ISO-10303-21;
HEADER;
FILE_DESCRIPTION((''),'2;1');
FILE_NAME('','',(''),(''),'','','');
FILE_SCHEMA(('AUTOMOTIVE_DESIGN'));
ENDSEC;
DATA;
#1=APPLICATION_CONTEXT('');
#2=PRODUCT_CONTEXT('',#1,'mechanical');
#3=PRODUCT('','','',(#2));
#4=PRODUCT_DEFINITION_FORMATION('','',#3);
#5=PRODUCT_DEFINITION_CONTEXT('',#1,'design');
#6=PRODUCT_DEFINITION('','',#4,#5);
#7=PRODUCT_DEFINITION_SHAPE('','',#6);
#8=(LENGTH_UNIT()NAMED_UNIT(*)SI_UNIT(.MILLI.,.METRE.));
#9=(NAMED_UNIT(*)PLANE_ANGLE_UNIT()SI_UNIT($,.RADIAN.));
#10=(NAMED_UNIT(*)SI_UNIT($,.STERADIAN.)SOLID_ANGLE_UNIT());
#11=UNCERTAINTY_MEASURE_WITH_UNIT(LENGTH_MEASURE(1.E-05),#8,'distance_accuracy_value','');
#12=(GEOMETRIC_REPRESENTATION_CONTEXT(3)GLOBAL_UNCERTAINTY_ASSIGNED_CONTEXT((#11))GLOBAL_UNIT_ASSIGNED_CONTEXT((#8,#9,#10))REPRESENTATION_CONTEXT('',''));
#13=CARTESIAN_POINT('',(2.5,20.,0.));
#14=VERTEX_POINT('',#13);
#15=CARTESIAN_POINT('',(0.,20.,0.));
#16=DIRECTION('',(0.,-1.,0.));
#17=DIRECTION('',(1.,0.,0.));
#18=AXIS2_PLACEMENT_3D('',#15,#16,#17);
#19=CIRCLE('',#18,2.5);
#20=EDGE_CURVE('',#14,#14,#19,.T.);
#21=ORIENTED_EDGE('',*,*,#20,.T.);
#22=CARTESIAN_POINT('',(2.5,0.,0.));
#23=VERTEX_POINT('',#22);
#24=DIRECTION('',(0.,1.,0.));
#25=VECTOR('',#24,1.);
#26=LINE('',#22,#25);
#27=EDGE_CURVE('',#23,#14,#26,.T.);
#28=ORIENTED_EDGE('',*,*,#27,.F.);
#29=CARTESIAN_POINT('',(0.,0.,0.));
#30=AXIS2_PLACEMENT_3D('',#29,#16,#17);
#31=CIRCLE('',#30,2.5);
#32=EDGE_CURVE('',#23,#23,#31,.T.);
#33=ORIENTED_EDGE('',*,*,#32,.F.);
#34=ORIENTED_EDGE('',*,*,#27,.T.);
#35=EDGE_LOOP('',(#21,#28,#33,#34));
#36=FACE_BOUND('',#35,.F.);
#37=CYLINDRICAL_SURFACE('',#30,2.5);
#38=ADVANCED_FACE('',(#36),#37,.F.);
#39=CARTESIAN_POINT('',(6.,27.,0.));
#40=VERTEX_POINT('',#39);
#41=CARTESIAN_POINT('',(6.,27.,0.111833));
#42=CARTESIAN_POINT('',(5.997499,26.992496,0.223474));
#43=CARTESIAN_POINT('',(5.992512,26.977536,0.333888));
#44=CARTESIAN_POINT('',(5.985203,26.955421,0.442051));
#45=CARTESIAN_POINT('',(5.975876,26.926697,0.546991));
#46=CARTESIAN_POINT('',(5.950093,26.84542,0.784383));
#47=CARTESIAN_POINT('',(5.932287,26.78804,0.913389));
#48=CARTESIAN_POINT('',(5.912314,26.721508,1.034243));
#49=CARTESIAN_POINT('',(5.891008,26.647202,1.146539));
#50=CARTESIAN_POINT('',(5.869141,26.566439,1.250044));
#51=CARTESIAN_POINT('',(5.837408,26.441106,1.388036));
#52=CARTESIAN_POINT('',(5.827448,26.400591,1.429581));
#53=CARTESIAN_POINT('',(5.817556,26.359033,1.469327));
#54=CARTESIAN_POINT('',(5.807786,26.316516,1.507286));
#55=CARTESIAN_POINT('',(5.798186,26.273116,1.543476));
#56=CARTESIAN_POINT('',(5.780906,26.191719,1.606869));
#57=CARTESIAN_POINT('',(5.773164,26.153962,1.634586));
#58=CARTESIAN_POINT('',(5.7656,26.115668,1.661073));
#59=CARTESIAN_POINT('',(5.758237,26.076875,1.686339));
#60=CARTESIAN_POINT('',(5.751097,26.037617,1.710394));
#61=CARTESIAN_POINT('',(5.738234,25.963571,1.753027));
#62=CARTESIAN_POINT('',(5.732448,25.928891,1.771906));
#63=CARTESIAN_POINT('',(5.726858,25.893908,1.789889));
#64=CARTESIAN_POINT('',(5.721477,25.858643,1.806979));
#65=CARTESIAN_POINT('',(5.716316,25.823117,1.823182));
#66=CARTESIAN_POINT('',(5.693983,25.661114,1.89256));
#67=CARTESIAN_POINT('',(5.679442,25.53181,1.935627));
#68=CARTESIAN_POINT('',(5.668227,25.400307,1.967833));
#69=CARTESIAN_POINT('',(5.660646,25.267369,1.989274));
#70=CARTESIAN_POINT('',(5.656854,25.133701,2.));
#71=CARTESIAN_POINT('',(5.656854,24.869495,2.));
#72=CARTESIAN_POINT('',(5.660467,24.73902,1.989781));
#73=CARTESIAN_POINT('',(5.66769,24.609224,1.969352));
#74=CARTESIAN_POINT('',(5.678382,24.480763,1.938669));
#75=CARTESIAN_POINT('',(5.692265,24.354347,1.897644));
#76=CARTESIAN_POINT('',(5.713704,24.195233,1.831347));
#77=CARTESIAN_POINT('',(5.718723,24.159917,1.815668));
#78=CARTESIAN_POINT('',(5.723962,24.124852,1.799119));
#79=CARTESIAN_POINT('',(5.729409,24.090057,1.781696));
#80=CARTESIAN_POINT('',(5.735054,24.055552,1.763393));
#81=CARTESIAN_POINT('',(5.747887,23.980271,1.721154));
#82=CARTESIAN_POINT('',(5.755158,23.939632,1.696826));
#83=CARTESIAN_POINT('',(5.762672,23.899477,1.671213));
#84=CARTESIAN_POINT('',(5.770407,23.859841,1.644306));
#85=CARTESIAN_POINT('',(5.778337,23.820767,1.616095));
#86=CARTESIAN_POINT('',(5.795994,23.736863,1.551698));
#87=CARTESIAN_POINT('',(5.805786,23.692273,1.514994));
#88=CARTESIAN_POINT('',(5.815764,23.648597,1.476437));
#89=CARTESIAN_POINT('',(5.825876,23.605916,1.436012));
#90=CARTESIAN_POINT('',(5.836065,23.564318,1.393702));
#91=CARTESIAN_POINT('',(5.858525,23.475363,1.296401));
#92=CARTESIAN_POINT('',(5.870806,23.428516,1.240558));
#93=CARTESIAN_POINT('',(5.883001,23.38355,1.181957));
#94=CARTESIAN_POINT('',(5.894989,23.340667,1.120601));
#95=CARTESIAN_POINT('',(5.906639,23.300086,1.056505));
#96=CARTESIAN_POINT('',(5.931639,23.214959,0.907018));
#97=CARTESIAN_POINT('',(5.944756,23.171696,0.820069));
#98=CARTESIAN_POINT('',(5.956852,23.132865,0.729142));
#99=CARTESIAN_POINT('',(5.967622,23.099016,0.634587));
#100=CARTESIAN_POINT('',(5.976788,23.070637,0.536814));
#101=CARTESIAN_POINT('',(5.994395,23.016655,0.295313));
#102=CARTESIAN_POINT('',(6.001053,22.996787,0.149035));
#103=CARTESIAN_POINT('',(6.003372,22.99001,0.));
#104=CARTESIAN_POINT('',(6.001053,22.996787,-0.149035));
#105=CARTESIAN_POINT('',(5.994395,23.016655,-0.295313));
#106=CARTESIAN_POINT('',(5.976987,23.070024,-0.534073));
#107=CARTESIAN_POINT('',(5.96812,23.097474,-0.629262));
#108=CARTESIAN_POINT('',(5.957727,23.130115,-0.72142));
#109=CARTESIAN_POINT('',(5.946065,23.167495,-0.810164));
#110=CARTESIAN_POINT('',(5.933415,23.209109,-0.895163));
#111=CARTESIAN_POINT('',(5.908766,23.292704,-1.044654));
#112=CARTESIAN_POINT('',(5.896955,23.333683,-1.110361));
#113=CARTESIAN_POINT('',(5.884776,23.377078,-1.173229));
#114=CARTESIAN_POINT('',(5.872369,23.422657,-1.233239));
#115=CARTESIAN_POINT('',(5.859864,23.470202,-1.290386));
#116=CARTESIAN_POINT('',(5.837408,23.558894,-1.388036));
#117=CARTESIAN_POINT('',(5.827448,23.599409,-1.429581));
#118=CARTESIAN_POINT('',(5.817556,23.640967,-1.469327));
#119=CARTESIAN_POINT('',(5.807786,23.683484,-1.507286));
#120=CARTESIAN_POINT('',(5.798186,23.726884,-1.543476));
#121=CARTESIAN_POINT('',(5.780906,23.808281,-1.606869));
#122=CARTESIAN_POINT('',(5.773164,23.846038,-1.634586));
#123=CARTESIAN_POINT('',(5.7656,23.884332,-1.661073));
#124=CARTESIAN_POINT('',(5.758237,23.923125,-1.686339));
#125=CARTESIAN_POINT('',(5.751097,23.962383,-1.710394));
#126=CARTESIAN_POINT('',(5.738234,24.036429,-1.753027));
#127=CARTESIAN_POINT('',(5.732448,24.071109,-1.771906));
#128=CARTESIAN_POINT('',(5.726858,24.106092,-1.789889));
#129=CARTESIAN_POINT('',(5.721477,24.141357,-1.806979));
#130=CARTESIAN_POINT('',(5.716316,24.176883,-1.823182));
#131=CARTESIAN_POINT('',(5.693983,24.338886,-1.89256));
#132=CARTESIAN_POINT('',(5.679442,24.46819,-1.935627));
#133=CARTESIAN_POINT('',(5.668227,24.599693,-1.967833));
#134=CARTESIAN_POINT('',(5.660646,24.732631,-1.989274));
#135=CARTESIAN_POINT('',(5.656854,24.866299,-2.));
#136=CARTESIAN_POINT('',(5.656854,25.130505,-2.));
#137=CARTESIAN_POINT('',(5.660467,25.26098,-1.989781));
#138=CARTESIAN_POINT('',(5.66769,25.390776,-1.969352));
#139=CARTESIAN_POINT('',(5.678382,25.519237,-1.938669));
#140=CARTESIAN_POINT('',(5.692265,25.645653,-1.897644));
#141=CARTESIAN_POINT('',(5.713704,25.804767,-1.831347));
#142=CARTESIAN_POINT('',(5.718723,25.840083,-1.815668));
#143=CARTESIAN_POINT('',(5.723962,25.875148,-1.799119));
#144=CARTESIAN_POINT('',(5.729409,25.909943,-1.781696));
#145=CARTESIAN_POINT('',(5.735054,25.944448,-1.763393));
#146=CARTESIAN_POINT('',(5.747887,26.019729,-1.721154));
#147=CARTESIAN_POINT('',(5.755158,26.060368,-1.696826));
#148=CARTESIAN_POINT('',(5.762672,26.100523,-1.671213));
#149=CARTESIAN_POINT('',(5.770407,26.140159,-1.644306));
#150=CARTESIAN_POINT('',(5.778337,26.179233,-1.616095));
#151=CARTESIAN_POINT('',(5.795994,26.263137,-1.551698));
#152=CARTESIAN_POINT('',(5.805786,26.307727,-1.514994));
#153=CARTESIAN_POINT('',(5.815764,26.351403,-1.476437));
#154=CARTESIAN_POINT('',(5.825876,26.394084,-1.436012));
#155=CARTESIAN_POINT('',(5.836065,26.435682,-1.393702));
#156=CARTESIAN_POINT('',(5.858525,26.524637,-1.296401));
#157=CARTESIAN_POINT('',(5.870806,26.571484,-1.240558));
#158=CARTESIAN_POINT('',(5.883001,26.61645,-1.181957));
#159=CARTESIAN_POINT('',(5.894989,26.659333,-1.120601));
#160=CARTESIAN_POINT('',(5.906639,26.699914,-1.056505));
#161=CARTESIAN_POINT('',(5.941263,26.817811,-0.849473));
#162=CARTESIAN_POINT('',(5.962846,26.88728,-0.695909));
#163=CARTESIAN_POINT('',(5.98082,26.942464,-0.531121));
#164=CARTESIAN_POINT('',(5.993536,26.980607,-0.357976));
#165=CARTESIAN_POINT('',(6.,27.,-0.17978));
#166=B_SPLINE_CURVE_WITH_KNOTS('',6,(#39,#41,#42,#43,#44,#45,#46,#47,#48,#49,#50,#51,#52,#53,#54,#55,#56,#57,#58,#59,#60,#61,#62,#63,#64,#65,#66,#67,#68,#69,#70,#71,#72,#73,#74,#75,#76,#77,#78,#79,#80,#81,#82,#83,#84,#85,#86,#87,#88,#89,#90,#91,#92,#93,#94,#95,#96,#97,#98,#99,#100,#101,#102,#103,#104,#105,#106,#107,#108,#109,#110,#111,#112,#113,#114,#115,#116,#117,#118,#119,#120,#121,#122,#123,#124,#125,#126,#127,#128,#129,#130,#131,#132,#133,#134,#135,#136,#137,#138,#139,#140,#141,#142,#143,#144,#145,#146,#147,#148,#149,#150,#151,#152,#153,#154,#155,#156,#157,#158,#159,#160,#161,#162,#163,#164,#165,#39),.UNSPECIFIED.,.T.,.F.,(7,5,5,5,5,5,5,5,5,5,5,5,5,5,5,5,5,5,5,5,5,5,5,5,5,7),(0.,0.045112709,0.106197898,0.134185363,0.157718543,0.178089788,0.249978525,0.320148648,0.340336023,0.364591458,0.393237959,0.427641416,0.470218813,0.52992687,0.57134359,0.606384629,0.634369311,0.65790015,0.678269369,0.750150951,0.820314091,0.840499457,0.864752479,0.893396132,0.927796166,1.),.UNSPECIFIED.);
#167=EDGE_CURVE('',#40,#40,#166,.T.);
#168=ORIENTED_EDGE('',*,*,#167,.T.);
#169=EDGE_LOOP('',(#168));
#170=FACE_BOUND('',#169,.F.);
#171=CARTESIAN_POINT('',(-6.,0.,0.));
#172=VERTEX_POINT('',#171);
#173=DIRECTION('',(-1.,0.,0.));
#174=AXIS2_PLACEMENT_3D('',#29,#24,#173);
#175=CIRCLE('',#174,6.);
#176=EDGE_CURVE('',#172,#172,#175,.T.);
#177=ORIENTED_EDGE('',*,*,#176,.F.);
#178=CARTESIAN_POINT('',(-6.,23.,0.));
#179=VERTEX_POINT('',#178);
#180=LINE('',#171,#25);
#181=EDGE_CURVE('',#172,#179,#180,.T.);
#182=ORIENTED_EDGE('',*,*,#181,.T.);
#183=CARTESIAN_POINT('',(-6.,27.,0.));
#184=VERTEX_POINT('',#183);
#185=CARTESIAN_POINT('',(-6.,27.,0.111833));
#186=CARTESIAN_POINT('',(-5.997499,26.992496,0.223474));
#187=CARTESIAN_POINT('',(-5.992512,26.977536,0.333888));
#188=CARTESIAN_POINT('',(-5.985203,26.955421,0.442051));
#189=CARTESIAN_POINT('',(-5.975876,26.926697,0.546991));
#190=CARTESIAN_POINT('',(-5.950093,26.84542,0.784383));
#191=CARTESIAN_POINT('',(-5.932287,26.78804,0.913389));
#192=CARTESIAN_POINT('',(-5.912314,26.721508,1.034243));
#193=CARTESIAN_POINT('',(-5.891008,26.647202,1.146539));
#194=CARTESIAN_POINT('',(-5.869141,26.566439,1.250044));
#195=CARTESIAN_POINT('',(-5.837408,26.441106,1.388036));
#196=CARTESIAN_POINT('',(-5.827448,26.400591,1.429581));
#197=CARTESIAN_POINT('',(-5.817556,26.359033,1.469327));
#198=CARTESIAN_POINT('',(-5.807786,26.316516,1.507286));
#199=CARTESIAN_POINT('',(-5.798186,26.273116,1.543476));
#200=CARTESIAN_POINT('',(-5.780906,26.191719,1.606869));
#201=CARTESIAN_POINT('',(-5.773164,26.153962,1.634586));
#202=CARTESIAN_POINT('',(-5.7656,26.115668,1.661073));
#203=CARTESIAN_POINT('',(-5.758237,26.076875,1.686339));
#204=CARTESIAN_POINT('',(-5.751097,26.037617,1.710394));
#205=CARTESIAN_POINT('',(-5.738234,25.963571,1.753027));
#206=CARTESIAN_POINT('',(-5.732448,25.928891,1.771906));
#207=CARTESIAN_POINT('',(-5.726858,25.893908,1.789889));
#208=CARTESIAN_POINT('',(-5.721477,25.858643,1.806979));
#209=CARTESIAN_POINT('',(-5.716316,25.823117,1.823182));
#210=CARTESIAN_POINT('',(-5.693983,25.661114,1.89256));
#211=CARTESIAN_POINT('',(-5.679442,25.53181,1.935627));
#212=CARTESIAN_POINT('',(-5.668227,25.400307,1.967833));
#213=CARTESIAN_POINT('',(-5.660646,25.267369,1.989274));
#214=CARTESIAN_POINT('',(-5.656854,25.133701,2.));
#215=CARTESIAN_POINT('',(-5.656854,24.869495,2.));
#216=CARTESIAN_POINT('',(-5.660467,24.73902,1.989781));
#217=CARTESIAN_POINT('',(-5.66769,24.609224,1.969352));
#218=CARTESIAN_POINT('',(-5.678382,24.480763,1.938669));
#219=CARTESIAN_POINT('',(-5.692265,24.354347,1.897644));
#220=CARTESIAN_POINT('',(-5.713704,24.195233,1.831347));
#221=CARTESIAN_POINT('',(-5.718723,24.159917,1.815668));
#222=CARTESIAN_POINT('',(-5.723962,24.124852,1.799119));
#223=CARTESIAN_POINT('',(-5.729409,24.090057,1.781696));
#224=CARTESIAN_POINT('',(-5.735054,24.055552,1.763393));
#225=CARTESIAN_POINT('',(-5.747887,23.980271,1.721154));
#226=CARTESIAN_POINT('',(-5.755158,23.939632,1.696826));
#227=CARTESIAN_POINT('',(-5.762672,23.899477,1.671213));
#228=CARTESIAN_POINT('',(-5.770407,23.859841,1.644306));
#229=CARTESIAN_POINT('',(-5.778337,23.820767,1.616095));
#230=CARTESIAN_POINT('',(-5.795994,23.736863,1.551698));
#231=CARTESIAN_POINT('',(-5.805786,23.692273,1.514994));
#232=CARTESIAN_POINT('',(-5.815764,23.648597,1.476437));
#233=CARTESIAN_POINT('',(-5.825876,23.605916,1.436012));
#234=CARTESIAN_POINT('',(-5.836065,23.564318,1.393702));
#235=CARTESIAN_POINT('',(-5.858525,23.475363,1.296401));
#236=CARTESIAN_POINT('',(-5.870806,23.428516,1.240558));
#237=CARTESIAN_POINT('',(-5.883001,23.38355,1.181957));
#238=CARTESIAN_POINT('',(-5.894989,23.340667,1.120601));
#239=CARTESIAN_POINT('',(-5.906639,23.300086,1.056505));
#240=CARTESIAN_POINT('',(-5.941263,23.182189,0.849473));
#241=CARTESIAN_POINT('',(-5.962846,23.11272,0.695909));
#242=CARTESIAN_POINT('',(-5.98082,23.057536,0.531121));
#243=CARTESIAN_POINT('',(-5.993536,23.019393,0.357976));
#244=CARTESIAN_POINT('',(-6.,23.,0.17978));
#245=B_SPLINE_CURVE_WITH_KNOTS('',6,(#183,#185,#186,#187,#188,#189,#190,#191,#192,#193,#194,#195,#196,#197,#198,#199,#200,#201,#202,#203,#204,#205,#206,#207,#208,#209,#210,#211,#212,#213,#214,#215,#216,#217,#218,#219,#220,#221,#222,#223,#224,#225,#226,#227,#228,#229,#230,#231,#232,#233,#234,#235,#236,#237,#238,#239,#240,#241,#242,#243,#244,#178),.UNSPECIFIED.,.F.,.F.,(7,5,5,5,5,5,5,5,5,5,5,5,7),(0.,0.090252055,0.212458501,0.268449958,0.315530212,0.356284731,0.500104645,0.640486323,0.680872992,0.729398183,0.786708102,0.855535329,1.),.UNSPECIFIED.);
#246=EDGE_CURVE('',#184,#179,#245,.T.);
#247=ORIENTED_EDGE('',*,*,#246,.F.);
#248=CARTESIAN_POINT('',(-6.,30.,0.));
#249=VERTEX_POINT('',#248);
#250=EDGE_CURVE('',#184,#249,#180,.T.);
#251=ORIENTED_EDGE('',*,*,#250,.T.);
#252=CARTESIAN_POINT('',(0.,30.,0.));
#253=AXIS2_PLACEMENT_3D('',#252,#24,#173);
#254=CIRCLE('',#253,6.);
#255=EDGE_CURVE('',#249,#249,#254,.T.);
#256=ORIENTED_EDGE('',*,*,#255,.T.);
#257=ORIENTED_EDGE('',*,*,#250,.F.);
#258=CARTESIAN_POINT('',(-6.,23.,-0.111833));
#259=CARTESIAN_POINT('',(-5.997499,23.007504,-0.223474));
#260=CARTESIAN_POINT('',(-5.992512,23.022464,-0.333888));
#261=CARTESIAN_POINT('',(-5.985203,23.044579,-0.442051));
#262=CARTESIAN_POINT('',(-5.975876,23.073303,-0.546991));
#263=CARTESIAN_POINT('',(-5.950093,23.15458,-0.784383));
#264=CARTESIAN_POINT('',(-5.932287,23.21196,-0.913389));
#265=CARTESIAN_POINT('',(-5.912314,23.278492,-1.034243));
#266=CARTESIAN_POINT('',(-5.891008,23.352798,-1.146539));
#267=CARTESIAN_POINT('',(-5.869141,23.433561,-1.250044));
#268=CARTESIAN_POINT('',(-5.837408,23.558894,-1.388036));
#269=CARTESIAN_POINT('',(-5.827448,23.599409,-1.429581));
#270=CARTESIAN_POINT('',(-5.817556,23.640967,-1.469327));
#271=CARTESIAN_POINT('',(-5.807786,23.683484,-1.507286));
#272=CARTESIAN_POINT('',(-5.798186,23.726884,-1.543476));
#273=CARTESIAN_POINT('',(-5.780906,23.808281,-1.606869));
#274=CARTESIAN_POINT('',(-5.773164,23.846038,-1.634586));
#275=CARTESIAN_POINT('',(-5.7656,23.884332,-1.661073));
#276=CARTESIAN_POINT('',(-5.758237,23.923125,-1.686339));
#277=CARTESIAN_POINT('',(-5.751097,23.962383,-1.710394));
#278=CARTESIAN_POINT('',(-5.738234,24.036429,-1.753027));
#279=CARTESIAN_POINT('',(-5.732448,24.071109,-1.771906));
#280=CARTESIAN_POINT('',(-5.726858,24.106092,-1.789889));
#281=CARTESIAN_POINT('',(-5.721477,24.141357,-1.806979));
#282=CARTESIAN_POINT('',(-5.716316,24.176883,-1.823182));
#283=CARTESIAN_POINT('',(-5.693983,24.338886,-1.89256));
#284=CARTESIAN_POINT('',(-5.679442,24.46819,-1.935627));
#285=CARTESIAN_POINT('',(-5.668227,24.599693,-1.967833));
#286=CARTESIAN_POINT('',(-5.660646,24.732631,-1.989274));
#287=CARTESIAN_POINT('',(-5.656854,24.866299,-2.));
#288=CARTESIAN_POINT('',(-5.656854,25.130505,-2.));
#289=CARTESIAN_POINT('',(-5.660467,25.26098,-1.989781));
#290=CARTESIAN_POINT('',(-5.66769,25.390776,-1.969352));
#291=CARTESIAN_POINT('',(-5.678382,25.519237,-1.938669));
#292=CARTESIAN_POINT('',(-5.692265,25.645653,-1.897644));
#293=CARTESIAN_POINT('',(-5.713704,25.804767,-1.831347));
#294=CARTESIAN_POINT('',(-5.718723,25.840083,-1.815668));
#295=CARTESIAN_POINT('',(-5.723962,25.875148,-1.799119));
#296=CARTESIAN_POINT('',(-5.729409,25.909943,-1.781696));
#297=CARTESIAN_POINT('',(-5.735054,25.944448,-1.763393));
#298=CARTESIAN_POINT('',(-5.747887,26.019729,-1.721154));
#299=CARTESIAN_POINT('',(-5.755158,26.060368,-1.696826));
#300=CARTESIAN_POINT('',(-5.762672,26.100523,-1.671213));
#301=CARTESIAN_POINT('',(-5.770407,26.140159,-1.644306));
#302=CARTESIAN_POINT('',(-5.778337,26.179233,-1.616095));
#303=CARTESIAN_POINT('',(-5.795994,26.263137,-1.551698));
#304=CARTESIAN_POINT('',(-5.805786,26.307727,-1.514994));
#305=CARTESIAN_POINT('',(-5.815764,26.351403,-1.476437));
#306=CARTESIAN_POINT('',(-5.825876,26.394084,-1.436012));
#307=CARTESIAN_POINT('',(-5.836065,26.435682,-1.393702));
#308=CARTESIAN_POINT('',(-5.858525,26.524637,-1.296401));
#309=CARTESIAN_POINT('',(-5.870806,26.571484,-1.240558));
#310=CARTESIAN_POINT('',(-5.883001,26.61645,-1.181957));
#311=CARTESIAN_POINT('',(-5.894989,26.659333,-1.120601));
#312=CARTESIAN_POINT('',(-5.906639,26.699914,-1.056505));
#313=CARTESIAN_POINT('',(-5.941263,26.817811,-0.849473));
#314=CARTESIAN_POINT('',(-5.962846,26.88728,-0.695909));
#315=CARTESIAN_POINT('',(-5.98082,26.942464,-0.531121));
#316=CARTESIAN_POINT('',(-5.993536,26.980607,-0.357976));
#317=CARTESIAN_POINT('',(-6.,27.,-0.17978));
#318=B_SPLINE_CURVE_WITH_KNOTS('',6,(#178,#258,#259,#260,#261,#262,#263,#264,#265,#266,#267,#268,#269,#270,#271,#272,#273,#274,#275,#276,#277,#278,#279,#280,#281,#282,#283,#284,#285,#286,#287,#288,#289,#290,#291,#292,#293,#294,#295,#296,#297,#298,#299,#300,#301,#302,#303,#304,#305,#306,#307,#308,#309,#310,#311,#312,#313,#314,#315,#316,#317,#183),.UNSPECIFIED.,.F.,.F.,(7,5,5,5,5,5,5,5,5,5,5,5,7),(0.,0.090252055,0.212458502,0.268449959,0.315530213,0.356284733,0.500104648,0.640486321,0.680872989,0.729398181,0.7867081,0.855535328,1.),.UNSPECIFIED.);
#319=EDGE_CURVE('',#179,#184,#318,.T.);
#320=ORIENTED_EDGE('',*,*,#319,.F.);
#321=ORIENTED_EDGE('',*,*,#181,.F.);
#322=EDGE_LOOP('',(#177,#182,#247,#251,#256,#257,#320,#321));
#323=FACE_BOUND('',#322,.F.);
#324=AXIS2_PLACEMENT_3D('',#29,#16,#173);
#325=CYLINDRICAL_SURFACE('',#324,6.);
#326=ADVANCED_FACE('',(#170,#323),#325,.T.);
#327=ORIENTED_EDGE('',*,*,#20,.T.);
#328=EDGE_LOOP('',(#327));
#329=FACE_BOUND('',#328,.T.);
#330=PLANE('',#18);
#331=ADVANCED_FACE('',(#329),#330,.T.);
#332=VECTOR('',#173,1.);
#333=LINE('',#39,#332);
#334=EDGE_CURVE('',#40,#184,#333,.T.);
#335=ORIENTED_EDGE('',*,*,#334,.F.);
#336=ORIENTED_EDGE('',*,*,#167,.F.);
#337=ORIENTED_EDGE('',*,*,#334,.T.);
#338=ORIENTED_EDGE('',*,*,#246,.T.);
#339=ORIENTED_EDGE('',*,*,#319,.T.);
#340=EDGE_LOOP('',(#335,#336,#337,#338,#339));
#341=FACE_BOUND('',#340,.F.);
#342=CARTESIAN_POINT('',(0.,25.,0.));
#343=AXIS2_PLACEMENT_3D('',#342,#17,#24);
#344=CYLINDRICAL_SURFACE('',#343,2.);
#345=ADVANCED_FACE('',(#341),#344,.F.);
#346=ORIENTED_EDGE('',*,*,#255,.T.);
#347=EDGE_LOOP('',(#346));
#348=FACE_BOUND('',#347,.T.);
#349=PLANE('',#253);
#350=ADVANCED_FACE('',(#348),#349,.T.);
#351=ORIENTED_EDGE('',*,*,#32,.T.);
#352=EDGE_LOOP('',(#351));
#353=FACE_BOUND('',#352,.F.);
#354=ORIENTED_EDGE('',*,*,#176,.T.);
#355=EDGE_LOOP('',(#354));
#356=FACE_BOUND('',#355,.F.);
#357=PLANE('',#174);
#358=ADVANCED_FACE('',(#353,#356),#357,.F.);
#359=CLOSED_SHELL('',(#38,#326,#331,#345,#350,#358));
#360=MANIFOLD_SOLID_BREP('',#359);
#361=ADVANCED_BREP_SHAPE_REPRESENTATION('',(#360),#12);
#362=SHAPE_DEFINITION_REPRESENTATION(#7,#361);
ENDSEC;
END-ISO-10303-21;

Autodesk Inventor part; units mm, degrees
ref_plane "YZ Plane" through (0, 0, 0) normal (1, 0, 0) x (0, 1, 0)
ref_plane "XZ Plane" through (0, 0, 0) normal (0, 1, 0) x (-1, 0, 0)
ref_plane "XY Plane" through (0, 0, 0) normal (0, 0, 1) x (1, 0, 0)
sketch "スケッチ1" plane through (0, 0, 0) normal (0, 1, 0) x (-1, 0, 0)
  circle A0 centre (0, 0) radius 6
  dimension "d0" = 12
extrude "押し出し1" add sketch "スケッチ1" along normal blind 30
sketch "スケッチ2" plane through (0, 0, 0) normal (0, -1, 0) x (1, 0, 0)
  circle A0 centre (0, 0) radius 2.5
  dimension "d3" = 5
extrude "押し出し2" cut sketch "スケッチ2" against normal blind 20
sketch "スケッチ3" plane through (0, 0, 0) normal (1, 0, 0) x (0, 1, 0)
  circle A0 centre (25, 0) radius 2
  line L0 (20, -2.5) -> (20, 2.5) projected
  point P0 (0, 0)
  dimension "d8" = 4
  dimension "d9" = 5
extrude "押し出し3" cut sketch "スケッチ3" along normal mid plane 20
properties part number "hand2_09"
